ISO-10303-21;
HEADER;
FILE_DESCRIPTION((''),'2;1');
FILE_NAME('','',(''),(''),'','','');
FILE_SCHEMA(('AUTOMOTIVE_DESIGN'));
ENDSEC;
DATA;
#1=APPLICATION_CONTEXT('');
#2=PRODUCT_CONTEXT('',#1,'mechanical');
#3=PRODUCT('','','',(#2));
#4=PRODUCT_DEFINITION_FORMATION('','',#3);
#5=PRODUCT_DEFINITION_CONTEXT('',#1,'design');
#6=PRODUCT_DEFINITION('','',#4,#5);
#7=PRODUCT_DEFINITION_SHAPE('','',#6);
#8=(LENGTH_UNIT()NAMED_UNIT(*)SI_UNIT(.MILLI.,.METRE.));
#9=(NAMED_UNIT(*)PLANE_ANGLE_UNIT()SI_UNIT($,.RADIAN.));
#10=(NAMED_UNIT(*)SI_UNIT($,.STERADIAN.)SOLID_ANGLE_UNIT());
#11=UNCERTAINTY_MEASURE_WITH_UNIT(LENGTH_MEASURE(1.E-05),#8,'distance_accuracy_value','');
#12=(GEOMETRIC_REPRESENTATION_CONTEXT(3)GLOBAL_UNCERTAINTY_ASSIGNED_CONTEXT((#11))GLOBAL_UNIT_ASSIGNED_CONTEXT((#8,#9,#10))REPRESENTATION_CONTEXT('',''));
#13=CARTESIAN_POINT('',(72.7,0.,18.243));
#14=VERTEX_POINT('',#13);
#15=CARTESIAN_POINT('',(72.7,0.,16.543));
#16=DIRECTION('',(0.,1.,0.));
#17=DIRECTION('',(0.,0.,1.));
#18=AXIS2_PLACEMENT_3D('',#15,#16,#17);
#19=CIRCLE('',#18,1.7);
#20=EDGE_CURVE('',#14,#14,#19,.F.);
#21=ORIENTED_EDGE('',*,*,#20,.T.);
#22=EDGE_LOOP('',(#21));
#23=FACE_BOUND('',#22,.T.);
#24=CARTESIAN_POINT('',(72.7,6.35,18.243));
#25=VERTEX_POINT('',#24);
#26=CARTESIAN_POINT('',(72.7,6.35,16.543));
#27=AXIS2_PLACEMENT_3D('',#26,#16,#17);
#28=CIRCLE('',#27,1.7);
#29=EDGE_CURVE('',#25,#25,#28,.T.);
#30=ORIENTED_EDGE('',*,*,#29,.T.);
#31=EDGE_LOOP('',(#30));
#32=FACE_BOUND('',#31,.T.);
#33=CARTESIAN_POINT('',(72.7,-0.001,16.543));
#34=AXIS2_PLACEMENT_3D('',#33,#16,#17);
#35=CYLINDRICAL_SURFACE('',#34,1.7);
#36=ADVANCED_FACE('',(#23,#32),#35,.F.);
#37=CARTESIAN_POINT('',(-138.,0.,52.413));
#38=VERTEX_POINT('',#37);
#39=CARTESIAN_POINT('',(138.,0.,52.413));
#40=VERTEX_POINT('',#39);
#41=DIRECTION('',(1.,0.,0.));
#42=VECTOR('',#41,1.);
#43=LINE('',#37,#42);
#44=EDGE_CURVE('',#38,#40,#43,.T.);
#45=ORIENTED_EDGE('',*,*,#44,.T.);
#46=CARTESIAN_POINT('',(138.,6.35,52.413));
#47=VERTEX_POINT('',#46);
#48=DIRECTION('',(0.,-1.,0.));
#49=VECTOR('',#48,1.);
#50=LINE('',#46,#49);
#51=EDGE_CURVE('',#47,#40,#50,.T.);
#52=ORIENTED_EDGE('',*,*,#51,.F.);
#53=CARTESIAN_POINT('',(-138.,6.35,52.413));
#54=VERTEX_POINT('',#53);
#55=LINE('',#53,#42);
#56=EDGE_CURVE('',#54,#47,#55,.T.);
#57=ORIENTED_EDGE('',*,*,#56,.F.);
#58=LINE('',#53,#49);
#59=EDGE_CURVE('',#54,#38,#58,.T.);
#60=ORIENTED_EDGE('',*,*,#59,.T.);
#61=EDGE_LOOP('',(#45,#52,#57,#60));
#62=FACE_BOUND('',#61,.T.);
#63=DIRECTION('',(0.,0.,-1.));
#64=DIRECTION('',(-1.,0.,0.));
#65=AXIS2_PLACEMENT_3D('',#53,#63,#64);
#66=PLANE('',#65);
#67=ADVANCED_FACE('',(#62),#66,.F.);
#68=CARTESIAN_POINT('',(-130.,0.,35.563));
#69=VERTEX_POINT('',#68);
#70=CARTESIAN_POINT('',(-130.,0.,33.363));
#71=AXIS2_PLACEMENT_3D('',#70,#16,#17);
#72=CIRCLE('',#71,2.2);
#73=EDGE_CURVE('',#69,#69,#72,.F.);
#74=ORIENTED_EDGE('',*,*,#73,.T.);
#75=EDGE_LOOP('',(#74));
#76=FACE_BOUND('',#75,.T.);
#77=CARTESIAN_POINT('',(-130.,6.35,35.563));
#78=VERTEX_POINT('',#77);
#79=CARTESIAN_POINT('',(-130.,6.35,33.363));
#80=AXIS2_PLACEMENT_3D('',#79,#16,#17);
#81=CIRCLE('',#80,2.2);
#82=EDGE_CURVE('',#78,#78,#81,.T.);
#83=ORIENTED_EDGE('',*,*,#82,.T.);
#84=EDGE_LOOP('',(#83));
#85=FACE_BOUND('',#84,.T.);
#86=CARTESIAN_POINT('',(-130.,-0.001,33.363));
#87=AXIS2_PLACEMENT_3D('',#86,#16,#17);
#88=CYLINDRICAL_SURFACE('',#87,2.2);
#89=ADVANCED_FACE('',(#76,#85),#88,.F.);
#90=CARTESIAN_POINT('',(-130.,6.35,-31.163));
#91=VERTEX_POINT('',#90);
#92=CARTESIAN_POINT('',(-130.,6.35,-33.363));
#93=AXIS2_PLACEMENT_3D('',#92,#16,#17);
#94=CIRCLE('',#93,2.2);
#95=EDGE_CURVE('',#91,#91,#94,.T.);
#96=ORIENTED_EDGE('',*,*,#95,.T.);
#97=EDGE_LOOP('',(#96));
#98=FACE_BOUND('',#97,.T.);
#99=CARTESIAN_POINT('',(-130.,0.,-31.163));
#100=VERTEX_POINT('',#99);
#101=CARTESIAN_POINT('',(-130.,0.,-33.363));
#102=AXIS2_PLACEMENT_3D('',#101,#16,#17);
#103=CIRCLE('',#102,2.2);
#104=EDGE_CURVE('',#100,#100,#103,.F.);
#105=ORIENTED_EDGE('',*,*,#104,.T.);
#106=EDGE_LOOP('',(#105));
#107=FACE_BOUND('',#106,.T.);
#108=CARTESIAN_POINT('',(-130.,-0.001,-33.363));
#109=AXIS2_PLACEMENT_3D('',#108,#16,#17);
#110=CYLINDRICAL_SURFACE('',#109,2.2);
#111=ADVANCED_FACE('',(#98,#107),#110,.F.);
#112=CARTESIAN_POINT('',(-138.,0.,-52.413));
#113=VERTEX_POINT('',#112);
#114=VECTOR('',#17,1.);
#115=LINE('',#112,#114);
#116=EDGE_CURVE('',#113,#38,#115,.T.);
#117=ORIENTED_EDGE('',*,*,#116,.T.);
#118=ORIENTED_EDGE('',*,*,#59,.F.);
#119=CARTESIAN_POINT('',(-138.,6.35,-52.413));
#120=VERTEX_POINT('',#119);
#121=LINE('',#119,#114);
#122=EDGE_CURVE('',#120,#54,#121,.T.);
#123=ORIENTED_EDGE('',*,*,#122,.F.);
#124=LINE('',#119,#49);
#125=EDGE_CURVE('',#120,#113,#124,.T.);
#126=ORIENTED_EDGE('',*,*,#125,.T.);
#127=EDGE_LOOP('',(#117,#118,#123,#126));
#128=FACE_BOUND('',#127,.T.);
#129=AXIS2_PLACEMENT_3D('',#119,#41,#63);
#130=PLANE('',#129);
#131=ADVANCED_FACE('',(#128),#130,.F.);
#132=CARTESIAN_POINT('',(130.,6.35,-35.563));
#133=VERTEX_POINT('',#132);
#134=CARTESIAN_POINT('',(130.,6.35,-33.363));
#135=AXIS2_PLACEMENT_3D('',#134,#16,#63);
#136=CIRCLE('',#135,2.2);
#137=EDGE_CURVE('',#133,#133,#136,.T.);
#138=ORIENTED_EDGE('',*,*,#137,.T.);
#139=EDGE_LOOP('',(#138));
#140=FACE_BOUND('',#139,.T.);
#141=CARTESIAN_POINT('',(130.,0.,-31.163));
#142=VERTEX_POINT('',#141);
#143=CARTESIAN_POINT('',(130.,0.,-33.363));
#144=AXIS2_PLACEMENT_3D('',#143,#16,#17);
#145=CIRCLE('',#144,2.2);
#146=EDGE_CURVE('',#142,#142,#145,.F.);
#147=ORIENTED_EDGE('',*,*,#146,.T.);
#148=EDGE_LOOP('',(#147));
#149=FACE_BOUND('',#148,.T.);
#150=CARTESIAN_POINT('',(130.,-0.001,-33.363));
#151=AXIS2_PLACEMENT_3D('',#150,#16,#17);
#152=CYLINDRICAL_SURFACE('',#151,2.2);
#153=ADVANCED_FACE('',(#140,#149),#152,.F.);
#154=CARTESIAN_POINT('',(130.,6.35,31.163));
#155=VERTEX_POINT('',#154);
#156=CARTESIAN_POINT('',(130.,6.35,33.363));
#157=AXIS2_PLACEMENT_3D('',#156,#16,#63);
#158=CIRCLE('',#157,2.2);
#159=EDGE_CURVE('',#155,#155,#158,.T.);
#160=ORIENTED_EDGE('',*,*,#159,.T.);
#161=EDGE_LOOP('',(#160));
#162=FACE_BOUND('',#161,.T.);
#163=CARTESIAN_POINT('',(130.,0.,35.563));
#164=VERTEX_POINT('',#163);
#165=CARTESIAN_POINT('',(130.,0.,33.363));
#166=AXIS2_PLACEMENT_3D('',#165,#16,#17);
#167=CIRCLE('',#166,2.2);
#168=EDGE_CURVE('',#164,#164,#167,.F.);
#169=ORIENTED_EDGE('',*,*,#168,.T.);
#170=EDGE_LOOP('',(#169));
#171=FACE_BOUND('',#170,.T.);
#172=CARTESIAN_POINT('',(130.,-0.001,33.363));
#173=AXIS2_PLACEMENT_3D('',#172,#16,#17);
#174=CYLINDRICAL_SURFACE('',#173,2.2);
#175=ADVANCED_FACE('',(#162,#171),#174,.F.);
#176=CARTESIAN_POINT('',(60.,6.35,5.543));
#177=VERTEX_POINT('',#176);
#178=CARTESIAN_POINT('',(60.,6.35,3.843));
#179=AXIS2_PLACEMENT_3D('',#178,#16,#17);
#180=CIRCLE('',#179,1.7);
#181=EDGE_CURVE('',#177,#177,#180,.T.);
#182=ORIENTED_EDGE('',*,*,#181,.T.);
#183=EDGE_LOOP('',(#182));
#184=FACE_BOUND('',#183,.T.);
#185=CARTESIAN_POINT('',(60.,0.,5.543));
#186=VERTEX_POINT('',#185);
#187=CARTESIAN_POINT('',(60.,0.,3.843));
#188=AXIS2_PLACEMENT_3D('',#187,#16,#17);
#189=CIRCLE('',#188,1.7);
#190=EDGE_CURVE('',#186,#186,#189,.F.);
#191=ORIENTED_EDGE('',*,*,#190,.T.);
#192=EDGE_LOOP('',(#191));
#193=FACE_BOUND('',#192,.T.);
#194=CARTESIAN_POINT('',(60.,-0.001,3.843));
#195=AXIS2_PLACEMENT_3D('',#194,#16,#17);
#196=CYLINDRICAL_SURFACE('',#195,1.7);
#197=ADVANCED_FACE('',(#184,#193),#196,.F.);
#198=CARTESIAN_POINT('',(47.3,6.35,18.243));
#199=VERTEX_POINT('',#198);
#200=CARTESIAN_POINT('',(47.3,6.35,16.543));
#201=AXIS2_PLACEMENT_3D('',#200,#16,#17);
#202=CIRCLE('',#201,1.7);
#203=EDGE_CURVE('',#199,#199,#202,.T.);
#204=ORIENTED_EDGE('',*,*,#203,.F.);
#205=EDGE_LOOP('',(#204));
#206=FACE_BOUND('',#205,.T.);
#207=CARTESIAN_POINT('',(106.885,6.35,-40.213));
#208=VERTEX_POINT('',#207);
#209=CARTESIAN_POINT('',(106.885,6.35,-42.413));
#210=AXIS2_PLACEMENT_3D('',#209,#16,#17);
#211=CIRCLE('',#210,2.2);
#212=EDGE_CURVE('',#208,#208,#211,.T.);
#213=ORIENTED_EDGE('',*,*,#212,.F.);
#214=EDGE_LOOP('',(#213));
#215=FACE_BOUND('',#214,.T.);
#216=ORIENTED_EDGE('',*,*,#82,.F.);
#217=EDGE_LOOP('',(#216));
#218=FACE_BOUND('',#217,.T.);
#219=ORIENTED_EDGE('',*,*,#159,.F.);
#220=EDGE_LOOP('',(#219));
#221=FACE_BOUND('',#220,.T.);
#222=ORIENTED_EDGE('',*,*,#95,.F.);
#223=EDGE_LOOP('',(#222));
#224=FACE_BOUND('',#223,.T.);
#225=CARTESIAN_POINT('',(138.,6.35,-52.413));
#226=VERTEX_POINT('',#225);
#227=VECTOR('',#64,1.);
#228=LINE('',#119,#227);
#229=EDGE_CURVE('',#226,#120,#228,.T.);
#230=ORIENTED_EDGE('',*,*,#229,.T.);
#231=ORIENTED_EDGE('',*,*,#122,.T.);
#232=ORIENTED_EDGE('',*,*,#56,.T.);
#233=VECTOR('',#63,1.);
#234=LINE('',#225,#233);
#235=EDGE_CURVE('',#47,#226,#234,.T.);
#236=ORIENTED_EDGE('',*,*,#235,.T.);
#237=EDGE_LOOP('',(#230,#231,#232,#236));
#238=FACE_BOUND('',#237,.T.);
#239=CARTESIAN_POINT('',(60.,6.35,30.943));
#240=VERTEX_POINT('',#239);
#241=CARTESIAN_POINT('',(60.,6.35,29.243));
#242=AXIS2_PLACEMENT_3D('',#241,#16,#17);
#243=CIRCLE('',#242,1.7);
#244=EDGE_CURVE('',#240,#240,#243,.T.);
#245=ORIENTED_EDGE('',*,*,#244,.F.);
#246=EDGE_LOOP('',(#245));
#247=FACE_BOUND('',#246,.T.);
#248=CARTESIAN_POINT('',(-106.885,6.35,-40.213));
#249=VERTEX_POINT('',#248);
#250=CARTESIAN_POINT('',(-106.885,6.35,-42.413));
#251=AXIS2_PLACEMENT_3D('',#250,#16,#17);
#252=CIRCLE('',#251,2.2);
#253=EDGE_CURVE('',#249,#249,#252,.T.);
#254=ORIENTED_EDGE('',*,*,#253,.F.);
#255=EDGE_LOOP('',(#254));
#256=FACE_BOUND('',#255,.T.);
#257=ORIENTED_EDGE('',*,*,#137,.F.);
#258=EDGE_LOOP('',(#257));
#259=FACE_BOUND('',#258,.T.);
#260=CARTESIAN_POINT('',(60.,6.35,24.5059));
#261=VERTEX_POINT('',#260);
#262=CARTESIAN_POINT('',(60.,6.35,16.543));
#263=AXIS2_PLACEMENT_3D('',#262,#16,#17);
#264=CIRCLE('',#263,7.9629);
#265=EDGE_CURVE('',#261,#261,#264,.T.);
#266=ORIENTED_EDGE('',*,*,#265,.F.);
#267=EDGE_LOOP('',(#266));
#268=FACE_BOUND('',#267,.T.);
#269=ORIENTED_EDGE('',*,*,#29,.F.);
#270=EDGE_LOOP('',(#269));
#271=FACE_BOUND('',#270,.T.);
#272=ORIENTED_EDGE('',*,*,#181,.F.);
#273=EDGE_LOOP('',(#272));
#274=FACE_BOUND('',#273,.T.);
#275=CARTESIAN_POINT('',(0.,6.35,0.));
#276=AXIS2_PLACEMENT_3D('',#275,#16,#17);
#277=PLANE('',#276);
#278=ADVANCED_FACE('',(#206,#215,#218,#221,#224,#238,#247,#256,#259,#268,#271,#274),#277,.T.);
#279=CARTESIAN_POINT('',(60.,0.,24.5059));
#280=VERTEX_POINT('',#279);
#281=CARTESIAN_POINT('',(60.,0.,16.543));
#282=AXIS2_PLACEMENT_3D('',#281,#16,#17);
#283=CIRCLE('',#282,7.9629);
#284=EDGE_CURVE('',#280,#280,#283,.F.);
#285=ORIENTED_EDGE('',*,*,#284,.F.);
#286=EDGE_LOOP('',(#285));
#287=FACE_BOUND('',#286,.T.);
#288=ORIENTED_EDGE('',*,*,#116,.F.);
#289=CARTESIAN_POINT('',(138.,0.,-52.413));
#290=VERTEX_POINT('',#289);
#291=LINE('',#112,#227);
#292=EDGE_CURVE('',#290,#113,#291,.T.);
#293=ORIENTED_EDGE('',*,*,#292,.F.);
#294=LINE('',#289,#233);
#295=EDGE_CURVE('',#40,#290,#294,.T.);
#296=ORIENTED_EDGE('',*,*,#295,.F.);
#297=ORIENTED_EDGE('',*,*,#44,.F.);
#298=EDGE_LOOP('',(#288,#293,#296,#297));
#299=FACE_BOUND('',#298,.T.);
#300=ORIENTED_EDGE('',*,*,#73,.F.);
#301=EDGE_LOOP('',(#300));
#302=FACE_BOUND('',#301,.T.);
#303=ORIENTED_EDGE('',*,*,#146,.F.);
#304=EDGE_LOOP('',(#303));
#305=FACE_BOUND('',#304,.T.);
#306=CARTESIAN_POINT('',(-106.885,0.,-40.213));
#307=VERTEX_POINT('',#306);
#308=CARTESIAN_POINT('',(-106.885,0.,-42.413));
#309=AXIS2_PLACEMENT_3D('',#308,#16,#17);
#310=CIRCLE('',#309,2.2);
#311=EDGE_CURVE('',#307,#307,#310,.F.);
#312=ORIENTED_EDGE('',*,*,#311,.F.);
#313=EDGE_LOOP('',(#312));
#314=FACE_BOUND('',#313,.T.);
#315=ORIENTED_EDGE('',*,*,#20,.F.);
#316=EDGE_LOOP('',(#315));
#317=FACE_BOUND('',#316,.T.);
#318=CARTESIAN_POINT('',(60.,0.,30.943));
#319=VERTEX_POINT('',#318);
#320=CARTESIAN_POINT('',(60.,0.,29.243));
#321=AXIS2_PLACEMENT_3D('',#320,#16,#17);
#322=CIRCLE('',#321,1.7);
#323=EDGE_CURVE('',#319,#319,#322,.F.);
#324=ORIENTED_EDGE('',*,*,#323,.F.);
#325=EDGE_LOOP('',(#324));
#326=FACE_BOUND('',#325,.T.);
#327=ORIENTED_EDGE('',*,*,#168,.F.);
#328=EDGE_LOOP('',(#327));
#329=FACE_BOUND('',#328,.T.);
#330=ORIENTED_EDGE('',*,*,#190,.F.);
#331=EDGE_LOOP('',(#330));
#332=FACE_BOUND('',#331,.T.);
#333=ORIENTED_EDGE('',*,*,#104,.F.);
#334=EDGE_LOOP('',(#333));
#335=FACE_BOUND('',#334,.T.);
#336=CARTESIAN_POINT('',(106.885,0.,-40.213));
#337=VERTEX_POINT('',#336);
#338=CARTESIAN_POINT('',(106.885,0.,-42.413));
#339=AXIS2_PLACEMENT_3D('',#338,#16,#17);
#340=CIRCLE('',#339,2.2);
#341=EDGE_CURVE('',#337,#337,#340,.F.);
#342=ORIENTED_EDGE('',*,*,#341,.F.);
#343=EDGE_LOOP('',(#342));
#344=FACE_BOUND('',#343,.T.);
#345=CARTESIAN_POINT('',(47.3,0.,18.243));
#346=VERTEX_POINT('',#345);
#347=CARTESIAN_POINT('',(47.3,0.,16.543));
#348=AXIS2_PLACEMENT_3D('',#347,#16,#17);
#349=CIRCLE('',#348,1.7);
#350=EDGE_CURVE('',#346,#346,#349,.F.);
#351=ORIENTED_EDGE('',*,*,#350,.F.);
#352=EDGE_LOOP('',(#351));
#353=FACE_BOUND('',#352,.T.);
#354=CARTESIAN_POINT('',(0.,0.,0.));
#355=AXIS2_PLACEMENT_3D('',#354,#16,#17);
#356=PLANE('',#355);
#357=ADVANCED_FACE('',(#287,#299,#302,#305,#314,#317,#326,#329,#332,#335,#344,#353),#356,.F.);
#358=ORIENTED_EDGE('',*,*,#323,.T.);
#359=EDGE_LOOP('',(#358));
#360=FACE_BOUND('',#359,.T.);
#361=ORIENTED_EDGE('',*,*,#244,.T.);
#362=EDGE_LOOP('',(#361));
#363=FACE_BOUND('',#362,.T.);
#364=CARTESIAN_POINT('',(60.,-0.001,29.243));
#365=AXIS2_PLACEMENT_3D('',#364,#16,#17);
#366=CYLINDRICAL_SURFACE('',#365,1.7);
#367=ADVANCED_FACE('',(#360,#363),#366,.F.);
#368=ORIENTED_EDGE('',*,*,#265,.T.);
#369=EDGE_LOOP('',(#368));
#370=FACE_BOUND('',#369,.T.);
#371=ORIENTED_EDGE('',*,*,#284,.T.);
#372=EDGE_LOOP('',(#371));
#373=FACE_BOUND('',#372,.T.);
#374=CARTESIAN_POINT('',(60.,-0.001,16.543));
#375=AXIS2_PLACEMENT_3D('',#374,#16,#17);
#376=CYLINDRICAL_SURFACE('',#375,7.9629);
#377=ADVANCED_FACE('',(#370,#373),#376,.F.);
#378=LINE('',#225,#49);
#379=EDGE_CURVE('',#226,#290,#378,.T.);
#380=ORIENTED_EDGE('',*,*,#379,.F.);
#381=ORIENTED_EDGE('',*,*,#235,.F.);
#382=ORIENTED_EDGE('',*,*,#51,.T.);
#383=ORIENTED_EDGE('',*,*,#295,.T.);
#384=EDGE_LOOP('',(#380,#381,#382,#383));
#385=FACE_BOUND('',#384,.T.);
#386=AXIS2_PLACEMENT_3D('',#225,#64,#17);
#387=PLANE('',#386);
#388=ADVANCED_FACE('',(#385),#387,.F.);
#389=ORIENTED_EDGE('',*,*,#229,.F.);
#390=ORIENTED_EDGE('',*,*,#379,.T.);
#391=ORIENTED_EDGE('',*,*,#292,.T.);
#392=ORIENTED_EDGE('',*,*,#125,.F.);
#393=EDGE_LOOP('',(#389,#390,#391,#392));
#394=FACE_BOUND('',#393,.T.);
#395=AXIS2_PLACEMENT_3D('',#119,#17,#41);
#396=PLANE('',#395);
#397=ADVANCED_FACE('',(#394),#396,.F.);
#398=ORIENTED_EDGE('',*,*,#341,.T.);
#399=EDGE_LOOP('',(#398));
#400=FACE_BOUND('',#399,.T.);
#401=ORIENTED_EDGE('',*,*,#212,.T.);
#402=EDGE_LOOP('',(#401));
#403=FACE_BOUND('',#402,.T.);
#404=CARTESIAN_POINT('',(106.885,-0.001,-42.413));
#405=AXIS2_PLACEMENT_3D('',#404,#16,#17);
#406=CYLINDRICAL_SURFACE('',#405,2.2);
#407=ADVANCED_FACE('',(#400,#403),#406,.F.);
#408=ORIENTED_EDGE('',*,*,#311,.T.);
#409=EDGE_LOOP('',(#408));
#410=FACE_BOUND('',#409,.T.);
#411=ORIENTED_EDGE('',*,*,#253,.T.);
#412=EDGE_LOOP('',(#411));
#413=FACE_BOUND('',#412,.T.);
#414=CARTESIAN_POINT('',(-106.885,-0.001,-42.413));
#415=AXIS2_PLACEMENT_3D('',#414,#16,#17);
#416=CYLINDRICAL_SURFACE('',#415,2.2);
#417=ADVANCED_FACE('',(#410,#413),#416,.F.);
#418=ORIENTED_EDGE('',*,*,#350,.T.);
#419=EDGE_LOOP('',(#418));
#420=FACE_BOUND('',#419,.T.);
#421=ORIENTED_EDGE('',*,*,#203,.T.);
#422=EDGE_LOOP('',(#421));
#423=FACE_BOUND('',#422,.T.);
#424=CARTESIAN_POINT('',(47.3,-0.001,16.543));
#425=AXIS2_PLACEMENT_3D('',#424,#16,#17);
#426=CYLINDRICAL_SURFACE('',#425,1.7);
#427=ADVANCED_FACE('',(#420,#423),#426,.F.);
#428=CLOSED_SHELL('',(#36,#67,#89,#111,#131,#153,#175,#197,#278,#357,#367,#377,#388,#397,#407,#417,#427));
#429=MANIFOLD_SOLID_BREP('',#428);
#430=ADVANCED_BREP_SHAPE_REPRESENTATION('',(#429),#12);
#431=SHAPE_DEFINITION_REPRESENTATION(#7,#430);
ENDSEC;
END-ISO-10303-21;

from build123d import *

# Parameters (mm, degrees)
SKETCH1_W           = 276
SKETCH1_H           = 104.826000086
BOSS_EXTRUDE1_DEPTH = 6.35
CUT_EXTRUDE1_REACH  = 149.755
SKETCH2_R           = 2.2
CUT_EXTRUDE2_REACH  = 149.755
SKETCH3_R           = 2.2
CUT_EXTRUDE3_REACH  = 149.755
SKETCH4_R           = 7.9629
CUT_EXTRUDE4_REACH  = 149.755
SKETCH5_R           = 1.7


with BuildPart() as part:
    # Sketch1 → Boss-Extrude1 (new body)
    with BuildSketch(Plane(origin=(0, 0, 0), x_dir=(1, 0, 0), z_dir=(0, 1, 0))):
        Rectangle(SKETCH1_W, SKETCH1_H)
    extrude(amount=BOSS_EXTRUDE1_DEPTH)

    # Sketch2 → Cut-Extrude1 (cut, up to next)
    with BuildSketch(Plane(origin=(0, 6.35, 0), x_dir=(1, 0, 0), z_dir=(0, 1, 0)), mode=Mode.PRIVATE) as cut_extrude1_sk1:
        with Locations(Location((-130, 33.363000043, 0), (0, 0, 270))):
            Circle(SKETCH2_R)
    cut_extrude1_tool1 = extrude(cut_extrude1_sk1.sketch, amount=-CUT_EXTRUDE1_REACH, mode=Mode.PRIVATE) & part.part
    # Sketch2 → Cut-Extrude1 (cut, up to next)
    with BuildSketch(Plane(origin=(0, 6.35, 0), x_dir=(1, 0, 0), z_dir=(0, 1, 0)), mode=Mode.PRIVATE) as cut_extrude1_sk2:
        with Locations(Location((-130, -33.363000043, 0), (0, 0, 270))):
            Circle(SKETCH2_R)
    cut_extrude1_tool2 = extrude(cut_extrude1_sk2.sketch, amount=-CUT_EXTRUDE1_REACH, mode=Mode.PRIVATE) & part.part
    # Sketch2 → Cut-Extrude1 (cut, up to next)
    with BuildSketch(Plane(origin=(0, 6.35, 0), x_dir=(1, 0, 0), z_dir=(0, 1, 0)), mode=Mode.PRIVATE) as cut_extrude1_sk3:
        with Locations(Location((130, -33.363000043, 0), (0, 0, 270))):
            Circle(SKETCH2_R)
    cut_extrude1_tool3 = extrude(cut_extrude1_sk3.sketch, amount=-CUT_EXTRUDE1_REACH, mode=Mode.PRIVATE) & part.part
    # Sketch2 → Cut-Extrude1 (cut, up to next)
    with BuildSketch(Plane(origin=(0, 6.35, 0), x_dir=(1, 0, 0), z_dir=(0, 1, 0)), mode=Mode.PRIVATE) as cut_extrude1_sk4:
        with Locations(Location((130, 33.363000043, 0), (0, 0, 270))):
            Circle(SKETCH2_R)
    cut_extrude1_tool4 = extrude(cut_extrude1_sk4.sketch, amount=-CUT_EXTRUDE1_REACH, mode=Mode.PRIVATE) & part.part
    add(cut_extrude1_tool1.solids().sort_by_distance((-130, 6.35, -33.363))[0], mode=Mode.SUBTRACT)
    add(cut_extrude1_tool2.solids().sort_by_distance((-130, 6.35, 33.363))[0], mode=Mode.SUBTRACT)
    add(cut_extrude1_tool3.solids().sort_by_distance((130, 6.35, 33.363))[0], mode=Mode.SUBTRACT)
    add(cut_extrude1_tool4.solids().sort_by_distance((130, 6.35, -33.363))[0], mode=Mode.SUBTRACT)

    # Sketch3 → Cut-Extrude2 (cut, up to next)
    with BuildSketch(Plane(origin=(0, 6.35, 0), x_dir=(1, 0, 0), z_dir=(0, 1, 0)), mode=Mode.PRIVATE) as cut_extrude2_sk1:
        with Locations(Location((-106.885, 42.413000043, 0), (0, 0, 270))):
            Circle(SKETCH3_R)
    cut_extrude2_tool1 = extrude(cut_extrude2_sk1.sketch, amount=-CUT_EXTRUDE2_REACH, mode=Mode.PRIVATE) & part.part
    # Sketch3 → Cut-Extrude2 (cut, up to next)
    with BuildSketch(Plane(origin=(0, 6.35, 0), x_dir=(1, 0, 0), z_dir=(0, 1, 0)), mode=Mode.PRIVATE) as cut_extrude2_sk2:
        with Locations(Location((106.885, 42.413000043, 0), (0, 0, 270))):
            Circle(SKETCH3_R)
    cut_extrude2_tool2 = extrude(cut_extrude2_sk2.sketch, amount=-CUT_EXTRUDE2_REACH, mode=Mode.PRIVATE) & part.part
    add(cut_extrude2_tool1.solids().sort_by_distance((-106.885, 6.35, -42.413))[0], mode=Mode.SUBTRACT)
    add(cut_extrude2_tool2.solids().sort_by_distance((106.885, 6.35, -42.413))[0], mode=Mode.SUBTRACT)

    # Sketch4 → Cut-Extrude3 (cut, up to next)
    with BuildSketch(Plane(origin=(0, 6.35, 0), x_dir=(1, 0, 0), z_dir=(0, 1, 0)), mode=Mode.PRIVATE) as cut_extrude3_sk1:
        with Locations(Location((60, -16.543000155, 0), (0, 0, 270))):
            Circle(SKETCH4_R)
    cut_extrude3_tool1 = extrude(cut_extrude3_sk1.sketch, amount=-CUT_EXTRUDE3_REACH, mode=Mode.PRIVATE) & part.part
    add(cut_extrude3_tool1.solids().sort_by_distance((60, 6.35, 16.543))[0], mode=Mode.SUBTRACT)

    # Sketch5 → Cut-Extrude4 (cut, up to next)
    with BuildSketch(Plane(origin=(0, 6.35, 0), x_dir=(1, 0, 0), z_dir=(0, 1, 0)), mode=Mode.PRIVATE) as cut_extrude4_sk1:
        with Locations(Location((60, -3.843000155, 0), (0, 0, 270))):
            Circle(SKETCH5_R)
    cut_extrude4_tool1 = extrude(cut_extrude4_sk1.sketch, amount=-CUT_EXTRUDE4_REACH, mode=Mode.PRIVATE) & part.part
    # Sketch5 → Cut-Extrude4 (cut, up to next)
    with BuildSketch(Plane(origin=(0, 6.35, 0), x_dir=(1, 0, 0), z_dir=(0, 1, 0)), mode=Mode.PRIVATE) as cut_extrude4_sk2:
        with Locations(Location((72.7, -16.543000155, 0), (0, 0, 270))):
            Circle(SKETCH5_R)
    cut_extrude4_tool2 = extrude(cut_extrude4_sk2.sketch, amount=-CUT_EXTRUDE4_REACH, mode=Mode.PRIVATE) & part.part
    # Sketch5 → Cut-Extrude4 (cut, up to next)
    with BuildSketch(Plane(origin=(0, 6.35, 0), x_dir=(1, 0, 0), z_dir=(0, 1, 0)), mode=Mode.PRIVATE) as cut_extrude4_sk3:
        with Locations(Location((60, -29.243000155, 0), (0, 0, 270))):
            Circle(SKETCH5_R)
    cut_extrude4_tool3 = extrude(cut_extrude4_sk3.sketch, amount=-CUT_EXTRUDE4_REACH, mode=Mode.PRIVATE) & part.part
    # Sketch5 → Cut-Extrude4 (cut, up to next)
    with BuildSketch(Plane(origin=(0, 6.35, 0), x_dir=(1, 0, 0), z_dir=(0, 1, 0)), mode=Mode.PRIVATE) as cut_extrude4_sk4:
        with Locations(Location((47.3, -16.543000155, 0), (0, 0, 270))):
            Circle(SKETCH5_R)
    cut_extrude4_tool4 = extrude(cut_extrude4_sk4.sketch, amount=-CUT_EXTRUDE4_REACH, mode=Mode.PRIVATE) & part.part
    add(cut_extrude4_tool1.solids().sort_by_distance((60, 6.35, 3.843))[0], mode=Mode.SUBTRACT)
    add(cut_extrude4_tool2.solids().sort_by_distance((72.7, 6.35, 16.543))[0], mode=Mode.SUBTRACT)
    add(cut_extrude4_tool3.solids().sort_by_distance((60, 6.35, 29.243))[0], mode=Mode.SUBTRACT)
    add(cut_extrude4_tool4.solids().sort_by_distance((47.3, 6.35, 16.543))[0], mode=Mode.SUBTRACT)


solid = part.part
